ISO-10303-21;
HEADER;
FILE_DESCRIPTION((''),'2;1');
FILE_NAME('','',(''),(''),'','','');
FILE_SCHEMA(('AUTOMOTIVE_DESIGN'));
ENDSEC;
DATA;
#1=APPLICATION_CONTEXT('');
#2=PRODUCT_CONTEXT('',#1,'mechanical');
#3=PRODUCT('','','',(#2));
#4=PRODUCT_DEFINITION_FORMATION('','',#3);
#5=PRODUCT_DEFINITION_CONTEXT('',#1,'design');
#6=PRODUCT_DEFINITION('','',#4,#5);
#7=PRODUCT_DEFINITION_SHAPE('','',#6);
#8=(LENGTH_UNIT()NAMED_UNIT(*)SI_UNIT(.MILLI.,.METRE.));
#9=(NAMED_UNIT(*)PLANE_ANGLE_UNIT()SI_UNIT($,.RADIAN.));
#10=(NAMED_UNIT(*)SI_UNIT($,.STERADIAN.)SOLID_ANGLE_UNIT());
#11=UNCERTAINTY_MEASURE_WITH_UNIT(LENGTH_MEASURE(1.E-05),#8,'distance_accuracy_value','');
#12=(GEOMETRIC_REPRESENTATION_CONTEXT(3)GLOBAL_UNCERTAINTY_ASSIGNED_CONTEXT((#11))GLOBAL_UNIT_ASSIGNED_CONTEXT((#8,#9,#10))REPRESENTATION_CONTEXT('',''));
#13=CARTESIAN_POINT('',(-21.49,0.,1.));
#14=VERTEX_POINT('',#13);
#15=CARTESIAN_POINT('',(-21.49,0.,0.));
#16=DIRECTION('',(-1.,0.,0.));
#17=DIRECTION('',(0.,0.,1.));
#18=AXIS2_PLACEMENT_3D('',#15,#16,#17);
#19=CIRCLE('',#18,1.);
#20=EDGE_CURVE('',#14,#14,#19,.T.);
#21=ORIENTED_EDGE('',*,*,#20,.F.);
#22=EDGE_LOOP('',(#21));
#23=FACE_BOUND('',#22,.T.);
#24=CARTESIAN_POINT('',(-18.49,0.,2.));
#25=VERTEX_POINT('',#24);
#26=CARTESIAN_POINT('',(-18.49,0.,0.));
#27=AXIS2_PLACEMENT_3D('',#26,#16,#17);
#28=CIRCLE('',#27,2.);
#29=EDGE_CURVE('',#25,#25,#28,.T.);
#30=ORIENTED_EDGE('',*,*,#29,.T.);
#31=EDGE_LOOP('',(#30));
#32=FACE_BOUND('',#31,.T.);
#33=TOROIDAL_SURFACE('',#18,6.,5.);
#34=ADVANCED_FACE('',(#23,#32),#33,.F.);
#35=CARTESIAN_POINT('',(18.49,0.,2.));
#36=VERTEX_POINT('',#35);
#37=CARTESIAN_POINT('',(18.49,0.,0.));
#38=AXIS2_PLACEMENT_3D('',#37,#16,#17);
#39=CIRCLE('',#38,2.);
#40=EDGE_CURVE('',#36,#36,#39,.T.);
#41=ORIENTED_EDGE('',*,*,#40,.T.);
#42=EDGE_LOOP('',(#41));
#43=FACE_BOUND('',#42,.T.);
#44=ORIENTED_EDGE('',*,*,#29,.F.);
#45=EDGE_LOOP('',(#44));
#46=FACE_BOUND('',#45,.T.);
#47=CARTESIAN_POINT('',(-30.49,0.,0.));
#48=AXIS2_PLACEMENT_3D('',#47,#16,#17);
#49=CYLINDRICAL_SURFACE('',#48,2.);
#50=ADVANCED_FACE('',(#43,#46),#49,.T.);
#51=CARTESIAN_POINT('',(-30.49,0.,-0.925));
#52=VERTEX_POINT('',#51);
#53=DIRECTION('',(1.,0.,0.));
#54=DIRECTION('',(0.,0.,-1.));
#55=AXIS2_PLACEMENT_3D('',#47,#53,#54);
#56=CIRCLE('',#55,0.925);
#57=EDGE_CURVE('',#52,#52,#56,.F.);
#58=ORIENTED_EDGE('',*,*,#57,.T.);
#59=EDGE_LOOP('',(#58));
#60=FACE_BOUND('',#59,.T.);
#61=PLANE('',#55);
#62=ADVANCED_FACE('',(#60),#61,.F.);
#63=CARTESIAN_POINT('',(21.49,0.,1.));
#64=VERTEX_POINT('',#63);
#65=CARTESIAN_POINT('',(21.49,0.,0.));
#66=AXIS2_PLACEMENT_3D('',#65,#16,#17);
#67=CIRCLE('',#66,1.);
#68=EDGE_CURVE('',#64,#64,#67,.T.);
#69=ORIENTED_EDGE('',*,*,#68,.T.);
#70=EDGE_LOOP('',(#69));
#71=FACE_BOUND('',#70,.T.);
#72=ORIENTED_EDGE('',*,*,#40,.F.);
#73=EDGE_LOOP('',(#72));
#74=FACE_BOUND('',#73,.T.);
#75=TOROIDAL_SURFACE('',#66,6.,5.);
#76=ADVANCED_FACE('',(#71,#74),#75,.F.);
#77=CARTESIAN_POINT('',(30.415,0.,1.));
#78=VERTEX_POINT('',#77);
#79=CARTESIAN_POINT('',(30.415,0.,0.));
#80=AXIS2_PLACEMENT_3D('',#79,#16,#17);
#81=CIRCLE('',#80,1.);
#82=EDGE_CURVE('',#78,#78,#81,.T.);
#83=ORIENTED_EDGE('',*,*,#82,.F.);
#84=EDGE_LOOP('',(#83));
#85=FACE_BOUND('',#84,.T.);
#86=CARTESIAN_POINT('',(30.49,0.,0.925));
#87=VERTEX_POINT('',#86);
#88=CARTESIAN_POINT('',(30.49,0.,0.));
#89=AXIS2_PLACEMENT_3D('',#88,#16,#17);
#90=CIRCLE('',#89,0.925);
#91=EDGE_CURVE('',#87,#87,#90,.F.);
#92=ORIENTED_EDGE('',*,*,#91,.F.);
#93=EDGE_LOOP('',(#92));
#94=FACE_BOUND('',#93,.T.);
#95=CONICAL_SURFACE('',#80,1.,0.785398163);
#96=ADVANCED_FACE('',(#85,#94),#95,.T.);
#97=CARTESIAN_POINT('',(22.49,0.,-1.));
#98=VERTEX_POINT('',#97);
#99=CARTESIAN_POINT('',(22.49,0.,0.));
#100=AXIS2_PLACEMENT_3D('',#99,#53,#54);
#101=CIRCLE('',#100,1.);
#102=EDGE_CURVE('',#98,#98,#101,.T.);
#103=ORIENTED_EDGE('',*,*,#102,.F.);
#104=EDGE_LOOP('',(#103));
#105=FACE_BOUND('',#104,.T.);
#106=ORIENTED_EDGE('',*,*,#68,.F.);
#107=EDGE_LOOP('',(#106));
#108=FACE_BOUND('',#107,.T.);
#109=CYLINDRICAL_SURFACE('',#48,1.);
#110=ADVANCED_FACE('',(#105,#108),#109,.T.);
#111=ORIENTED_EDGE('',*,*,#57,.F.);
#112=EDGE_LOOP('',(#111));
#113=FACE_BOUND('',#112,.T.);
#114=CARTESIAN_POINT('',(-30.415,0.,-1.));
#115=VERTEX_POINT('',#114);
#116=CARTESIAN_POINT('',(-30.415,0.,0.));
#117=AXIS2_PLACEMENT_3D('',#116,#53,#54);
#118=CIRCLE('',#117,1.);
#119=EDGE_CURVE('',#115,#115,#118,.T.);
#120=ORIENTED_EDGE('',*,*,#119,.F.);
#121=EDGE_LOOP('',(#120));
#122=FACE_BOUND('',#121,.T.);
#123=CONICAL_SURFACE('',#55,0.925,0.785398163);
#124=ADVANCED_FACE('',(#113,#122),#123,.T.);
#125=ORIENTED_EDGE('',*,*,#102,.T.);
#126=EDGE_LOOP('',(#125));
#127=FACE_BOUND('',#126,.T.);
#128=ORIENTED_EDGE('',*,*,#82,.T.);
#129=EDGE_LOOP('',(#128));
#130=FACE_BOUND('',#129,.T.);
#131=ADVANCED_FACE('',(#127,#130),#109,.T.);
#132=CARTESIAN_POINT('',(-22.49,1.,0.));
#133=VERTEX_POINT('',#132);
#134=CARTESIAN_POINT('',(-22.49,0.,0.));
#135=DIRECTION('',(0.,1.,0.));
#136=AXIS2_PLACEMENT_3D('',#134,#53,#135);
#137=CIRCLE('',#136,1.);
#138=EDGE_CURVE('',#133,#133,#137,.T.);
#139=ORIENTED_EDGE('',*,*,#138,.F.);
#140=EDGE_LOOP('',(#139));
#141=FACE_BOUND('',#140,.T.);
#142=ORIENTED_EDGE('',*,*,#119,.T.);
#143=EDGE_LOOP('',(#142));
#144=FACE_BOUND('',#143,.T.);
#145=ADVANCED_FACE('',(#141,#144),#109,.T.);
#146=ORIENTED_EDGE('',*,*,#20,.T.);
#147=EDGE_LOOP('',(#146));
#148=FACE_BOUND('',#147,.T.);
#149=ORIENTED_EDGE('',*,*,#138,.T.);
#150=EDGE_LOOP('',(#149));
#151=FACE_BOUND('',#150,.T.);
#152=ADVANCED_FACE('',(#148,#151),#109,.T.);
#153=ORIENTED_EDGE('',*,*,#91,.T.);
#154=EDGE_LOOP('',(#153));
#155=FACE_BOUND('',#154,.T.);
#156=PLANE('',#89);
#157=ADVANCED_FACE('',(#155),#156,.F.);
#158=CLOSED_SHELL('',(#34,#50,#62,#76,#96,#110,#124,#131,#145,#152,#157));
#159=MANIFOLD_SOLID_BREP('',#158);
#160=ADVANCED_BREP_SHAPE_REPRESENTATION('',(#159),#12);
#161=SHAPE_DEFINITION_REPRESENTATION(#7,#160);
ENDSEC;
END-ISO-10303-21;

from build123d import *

# Parameters (mm, degrees)
CHAMFER1_SIZE = 0.075


with BuildPart() as part:
    # Sketch1 → Revolve1 (revolve)
    with BuildSketch(Plane.XY, mode=Mode.PRIVATE) as revolve1_sk:
        with BuildLine():
            Line((-30.49, 0), (30.49, 0))
            Line((30.49, 0), (30.49, 1))
            Line((30.49, 1), (21.49, 1))
            ThreePointArc((21.49, 1), (19.90886117, 1.25658351), (18.49, 2))
            Line((18.49, 2), (-18.49, 2))
            ThreePointArc((-18.49, 2), (-19.90886117, 1.25658351), (-21.49, 1))
            Line((-21.49, 1), (-30.49, 1))
            Line((-30.49, 1), (-30.49, 0))
        make_face()
    revolve(revolve1_sk.sketch.rotate(Axis((-30.49, 0, 0), (1, 0, 0)), 90), axis=Axis((-30.49, 0, 0), (1, 0, 0)))

    # Chamfer1
    chamfer1_edges = [part.edges().sort_by_distance(p)[0] for p in [
        (-30.49, 0, -1),
        (30.49, 0, -1),
    ]]
    chamfer(chamfer1_edges, length=CHAMFER1_SIZE)


solid = part.part
